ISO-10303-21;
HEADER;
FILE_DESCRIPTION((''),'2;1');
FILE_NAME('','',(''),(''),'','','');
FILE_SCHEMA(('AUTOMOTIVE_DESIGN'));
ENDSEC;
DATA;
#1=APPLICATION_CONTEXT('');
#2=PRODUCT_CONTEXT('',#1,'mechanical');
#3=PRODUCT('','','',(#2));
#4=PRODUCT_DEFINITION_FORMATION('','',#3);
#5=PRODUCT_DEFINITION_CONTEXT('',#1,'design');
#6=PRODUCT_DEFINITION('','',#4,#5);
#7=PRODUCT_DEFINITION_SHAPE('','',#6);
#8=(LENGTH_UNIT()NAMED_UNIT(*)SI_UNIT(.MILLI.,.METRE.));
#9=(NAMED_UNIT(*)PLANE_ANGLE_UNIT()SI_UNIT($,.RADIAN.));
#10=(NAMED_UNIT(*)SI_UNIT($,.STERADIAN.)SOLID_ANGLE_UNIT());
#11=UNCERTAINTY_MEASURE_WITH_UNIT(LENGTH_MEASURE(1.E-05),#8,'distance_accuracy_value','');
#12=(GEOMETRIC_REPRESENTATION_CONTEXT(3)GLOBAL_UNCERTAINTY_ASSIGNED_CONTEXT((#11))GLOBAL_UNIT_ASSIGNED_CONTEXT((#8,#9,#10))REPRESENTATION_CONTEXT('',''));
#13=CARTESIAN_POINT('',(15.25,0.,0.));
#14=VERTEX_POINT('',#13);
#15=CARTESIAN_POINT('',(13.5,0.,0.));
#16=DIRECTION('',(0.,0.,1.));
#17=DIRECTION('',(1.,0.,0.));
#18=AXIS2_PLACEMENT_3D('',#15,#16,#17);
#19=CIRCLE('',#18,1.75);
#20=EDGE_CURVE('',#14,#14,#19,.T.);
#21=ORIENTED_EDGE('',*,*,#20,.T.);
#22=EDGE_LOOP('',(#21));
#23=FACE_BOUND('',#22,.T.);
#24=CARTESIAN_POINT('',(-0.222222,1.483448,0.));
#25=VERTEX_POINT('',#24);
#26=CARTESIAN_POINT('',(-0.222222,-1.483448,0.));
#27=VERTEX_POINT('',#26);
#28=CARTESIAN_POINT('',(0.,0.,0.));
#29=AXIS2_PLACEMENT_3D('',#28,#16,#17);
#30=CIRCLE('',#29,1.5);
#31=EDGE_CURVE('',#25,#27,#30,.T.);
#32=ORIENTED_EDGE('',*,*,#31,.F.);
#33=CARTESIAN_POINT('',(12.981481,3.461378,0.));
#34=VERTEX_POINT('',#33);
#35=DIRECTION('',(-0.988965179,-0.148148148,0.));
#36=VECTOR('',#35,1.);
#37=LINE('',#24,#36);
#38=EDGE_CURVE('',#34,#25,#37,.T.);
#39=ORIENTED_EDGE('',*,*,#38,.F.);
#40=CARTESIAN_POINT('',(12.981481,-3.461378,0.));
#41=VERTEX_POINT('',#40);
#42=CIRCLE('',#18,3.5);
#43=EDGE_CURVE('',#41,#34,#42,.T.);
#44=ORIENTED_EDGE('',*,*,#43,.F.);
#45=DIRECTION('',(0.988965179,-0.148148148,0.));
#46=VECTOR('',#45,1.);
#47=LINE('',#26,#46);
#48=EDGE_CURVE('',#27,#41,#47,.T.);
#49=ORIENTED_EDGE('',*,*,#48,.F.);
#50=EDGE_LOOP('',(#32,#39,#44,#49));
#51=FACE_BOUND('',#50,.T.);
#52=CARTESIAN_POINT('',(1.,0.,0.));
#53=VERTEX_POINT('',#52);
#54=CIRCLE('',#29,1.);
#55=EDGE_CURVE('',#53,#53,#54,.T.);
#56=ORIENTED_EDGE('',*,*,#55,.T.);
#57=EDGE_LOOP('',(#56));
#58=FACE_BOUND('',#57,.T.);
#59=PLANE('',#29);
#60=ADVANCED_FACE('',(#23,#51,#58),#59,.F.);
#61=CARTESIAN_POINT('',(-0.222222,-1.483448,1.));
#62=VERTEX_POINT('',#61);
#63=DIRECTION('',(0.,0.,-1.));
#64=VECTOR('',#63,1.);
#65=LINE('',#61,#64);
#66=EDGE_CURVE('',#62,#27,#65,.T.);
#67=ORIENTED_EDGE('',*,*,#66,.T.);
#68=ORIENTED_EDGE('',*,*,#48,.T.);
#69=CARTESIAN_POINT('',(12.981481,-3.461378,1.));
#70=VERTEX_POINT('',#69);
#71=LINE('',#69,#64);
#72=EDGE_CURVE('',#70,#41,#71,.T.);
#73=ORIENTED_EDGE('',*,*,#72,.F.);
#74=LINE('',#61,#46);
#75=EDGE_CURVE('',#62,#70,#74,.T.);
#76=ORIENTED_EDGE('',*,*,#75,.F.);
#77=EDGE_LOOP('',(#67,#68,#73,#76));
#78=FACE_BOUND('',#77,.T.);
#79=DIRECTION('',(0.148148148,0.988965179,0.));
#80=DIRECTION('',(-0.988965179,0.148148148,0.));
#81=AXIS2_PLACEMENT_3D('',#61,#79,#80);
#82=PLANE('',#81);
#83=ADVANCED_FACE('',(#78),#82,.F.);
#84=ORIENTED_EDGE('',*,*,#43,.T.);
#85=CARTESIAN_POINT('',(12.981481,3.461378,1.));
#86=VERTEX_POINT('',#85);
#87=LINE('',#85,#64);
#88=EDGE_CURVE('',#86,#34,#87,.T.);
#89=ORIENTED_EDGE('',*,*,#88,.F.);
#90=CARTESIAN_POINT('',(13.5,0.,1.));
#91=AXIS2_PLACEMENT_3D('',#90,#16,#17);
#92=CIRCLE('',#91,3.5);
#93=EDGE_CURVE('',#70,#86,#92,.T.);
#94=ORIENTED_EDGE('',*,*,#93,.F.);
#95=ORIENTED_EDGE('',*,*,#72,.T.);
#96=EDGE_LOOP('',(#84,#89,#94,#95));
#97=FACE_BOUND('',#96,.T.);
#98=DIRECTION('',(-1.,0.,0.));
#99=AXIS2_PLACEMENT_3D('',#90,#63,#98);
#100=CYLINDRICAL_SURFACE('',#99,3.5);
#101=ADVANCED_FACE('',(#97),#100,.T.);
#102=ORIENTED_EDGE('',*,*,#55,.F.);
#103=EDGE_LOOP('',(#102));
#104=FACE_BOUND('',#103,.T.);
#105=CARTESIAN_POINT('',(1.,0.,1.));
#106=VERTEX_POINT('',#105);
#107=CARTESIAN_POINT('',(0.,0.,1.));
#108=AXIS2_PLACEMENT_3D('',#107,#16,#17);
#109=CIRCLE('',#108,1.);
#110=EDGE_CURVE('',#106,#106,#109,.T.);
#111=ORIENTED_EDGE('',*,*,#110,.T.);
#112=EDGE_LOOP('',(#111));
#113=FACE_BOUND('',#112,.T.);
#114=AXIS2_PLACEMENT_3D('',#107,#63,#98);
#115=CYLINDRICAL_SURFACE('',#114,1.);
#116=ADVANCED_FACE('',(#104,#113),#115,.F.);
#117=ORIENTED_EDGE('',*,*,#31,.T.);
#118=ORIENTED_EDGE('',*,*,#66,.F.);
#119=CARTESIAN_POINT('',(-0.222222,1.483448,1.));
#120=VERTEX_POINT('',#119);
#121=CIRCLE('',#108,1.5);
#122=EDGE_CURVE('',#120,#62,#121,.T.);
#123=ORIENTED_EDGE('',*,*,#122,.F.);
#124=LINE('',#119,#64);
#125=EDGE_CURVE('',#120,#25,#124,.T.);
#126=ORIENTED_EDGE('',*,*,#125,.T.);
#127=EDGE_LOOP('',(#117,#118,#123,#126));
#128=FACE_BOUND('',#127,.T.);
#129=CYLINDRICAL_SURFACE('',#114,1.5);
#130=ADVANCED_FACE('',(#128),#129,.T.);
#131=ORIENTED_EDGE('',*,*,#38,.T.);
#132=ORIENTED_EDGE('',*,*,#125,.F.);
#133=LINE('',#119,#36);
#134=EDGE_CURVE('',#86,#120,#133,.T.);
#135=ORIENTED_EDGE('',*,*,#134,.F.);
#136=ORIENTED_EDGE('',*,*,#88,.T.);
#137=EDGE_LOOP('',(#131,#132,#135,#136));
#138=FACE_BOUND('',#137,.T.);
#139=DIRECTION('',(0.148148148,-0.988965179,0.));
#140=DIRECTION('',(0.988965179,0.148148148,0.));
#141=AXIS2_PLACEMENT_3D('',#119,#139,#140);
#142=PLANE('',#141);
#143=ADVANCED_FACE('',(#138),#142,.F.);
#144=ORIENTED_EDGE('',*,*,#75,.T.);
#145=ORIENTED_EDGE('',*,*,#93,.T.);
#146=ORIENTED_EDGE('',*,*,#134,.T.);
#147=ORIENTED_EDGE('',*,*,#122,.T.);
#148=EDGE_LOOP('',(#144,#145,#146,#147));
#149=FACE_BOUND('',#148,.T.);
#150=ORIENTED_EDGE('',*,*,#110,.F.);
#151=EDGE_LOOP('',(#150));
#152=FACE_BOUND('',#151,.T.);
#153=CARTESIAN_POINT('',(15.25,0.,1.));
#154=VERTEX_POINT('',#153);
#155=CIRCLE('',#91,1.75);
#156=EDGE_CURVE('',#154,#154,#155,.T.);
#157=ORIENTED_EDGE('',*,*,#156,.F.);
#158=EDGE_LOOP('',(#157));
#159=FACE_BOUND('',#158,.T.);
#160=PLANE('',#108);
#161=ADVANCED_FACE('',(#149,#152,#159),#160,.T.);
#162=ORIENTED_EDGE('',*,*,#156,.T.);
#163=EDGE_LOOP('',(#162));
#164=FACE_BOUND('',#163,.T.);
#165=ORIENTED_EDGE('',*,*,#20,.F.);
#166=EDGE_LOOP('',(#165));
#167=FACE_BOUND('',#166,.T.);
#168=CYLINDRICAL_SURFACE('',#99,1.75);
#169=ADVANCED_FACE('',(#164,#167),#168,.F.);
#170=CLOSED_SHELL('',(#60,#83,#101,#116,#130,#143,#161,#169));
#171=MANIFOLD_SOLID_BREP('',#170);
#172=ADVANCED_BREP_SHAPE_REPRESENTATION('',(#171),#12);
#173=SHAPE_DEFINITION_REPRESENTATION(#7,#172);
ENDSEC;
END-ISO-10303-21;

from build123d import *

# Parameters (mm, degrees)
SKETCH_1_R        = 1
SKETCH_1_R_2      = 1.75
EXTRUDE_474_DEPTH = 1


with BuildPart() as part:
    # Эскиз1 → Extrude 474 (new body)
    with BuildSketch(Plane.XY):
        with BuildLine():
            Line((-0.222222222, 1.483447769), (12.981481481, 3.461378128))
            ThreePointArc((12.981481481, 3.461378128), (17, 0), (12.981481481, -3.461378128))
            Line((12.981481481, -3.461378128), (-0.222222222, -1.483447769))
            ThreePointArc((-0.222222222, -1.483447769), (-1.5, 0), (-0.222222222, 1.483447769))
        make_face()
        Circle(SKETCH_1_R, mode=Mode.SUBTRACT)
        with Locations((13.5, 0)):
            Circle(SKETCH_1_R_2, mode=Mode.SUBTRACT)
    extrude(amount=EXTRUDE_474_DEPTH)


solid = part.part
